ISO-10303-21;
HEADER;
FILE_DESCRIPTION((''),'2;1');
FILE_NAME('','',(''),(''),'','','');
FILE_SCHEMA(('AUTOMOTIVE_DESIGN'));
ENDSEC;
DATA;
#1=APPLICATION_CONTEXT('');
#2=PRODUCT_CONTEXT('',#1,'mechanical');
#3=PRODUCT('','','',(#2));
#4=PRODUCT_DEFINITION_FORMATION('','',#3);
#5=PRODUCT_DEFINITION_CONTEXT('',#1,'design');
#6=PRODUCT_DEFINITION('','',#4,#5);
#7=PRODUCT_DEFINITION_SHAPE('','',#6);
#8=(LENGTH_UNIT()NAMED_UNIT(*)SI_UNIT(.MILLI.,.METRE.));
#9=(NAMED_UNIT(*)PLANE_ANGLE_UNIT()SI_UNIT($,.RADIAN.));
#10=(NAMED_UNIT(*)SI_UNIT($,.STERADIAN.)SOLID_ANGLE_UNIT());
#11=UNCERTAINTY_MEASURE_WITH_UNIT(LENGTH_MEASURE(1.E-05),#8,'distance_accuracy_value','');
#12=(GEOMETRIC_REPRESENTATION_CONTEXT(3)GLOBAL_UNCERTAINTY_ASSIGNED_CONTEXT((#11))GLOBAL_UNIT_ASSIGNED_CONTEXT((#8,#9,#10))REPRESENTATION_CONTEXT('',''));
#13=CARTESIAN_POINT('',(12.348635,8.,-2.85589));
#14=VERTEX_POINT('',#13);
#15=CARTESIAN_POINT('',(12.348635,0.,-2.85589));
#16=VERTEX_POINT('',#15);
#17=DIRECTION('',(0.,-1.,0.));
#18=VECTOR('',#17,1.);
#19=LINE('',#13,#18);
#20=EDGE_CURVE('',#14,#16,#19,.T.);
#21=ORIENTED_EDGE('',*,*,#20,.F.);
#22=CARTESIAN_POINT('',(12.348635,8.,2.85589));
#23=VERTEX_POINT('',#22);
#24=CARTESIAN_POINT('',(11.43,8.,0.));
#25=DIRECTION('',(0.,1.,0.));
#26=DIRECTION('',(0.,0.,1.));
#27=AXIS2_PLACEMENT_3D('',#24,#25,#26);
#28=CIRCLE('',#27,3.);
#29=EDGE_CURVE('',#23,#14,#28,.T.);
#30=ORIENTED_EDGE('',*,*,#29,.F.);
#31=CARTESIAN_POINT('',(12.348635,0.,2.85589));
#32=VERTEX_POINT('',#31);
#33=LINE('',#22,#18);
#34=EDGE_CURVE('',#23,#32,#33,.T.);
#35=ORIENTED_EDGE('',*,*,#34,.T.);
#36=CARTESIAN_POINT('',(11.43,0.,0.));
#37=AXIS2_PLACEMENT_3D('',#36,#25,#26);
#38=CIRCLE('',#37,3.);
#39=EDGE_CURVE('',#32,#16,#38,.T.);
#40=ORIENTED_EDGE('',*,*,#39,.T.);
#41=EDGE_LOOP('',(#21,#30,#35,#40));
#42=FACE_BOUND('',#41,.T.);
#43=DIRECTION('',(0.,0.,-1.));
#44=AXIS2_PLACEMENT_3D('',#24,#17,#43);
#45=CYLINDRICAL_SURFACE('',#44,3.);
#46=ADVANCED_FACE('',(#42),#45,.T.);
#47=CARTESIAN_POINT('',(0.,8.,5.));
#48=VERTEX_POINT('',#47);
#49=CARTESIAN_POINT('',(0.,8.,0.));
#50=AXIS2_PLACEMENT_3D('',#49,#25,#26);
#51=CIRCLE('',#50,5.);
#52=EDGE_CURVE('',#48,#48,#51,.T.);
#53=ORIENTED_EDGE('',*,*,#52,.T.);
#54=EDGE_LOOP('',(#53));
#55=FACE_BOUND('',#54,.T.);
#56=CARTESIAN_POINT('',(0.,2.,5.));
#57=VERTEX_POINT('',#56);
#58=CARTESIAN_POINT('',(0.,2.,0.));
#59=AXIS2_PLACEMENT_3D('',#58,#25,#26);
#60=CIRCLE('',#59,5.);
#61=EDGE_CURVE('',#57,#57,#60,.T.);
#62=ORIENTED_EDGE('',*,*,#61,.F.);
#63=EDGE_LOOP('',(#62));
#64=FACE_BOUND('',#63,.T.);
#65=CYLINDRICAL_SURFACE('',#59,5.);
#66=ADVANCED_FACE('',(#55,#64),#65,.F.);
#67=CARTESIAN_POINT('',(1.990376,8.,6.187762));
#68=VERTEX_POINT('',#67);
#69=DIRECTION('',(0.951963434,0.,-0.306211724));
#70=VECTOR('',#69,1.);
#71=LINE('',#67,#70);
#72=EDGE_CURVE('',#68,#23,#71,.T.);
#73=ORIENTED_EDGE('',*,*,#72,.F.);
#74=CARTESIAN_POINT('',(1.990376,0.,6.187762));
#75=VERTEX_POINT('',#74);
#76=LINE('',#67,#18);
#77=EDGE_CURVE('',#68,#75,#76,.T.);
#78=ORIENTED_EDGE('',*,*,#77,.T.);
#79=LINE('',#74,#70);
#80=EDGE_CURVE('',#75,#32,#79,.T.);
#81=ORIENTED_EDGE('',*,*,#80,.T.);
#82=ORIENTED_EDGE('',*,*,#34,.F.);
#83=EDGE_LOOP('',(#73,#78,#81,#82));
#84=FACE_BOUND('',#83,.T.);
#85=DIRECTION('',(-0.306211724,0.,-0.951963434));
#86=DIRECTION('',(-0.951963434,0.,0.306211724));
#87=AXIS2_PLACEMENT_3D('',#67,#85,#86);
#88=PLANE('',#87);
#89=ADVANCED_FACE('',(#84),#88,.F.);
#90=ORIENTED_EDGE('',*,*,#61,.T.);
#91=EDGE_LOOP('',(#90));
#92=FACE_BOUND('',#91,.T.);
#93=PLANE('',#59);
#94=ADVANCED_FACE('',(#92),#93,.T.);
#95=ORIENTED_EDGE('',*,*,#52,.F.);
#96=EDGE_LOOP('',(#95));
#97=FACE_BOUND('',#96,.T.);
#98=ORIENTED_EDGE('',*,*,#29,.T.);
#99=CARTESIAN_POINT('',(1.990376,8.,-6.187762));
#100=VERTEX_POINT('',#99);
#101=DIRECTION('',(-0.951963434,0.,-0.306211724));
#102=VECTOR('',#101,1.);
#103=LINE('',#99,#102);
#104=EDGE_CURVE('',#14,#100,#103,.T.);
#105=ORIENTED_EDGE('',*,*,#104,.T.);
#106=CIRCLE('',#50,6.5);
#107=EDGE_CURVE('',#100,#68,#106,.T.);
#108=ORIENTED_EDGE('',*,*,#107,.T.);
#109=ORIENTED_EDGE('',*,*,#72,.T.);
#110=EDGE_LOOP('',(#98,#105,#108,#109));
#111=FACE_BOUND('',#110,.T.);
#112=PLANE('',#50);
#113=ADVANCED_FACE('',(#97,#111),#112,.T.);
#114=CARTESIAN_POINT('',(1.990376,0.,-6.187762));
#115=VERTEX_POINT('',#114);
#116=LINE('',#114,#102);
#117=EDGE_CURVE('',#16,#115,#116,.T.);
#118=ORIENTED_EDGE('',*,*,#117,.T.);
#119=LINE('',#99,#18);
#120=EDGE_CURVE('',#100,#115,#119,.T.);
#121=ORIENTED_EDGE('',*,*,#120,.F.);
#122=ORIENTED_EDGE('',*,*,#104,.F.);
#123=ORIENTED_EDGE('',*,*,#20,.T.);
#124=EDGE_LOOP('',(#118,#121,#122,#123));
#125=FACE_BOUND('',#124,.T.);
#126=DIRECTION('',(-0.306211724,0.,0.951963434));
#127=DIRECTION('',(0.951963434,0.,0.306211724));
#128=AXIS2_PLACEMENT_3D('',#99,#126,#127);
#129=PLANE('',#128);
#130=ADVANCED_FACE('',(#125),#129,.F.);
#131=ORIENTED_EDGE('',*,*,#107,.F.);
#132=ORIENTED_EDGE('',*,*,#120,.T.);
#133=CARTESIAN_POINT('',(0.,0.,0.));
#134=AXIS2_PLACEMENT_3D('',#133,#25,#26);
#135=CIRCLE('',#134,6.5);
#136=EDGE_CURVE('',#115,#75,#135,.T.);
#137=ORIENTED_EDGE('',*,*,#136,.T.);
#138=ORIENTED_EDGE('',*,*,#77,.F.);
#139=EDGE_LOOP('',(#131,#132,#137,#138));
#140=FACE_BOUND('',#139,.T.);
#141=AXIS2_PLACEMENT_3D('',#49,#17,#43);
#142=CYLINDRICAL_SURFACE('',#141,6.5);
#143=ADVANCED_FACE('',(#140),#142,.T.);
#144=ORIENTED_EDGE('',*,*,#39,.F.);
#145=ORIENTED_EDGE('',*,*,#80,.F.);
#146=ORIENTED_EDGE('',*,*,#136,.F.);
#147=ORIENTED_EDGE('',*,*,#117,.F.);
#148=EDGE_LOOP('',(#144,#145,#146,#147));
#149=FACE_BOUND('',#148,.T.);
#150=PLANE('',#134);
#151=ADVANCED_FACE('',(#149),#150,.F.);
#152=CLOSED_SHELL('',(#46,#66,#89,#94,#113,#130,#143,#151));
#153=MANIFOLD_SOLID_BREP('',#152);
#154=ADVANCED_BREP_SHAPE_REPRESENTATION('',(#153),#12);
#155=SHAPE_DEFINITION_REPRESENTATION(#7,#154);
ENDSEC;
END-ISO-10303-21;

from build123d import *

# Parameters (mm, degrees)
SKETCH1_R           = 6.5
BOSS_EXTRUDE1_DEPTH = 8.000000002
SKETCH2_R           = 5
CUT_EXTRUDE1_DEPTH  = 5.999999938


with BuildPart() as part:
    # Sketch1 → Boss-Extrude1 (new body)
    with BuildSketch(Plane(origin=(0, 0, 0), x_dir=(1, 0, 0), z_dir=(0, 1, 0))):
        Circle(SKETCH1_R)
        with BuildLine():
            ThreePointArc((6.5, 0), (5.252972745, -3.828351779), (1.990376203, -6.187762323))
            Line((1.990376203, -6.187762323), (12.348635171, -2.855890303))
            ThreePointArc((12.348635171, -2.855890303), (14.43, 0), (12.348635171, 2.855890303))
            Line((12.348635171, 2.855890303), (1.990376203, 6.187762323))
            ThreePointArc((1.990376203, 6.187762323), (5.252972745, 3.828351779), (6.5, 0))
        make_face()
    extrude(amount=BOSS_EXTRUDE1_DEPTH)

    # Sketch2 → Cut-Extrude1 (cut)
    with BuildSketch(Plane(origin=(0, 8.000000002, 0), x_dir=(1, 0, 0), z_dir=(0, 1, 0))):
        with Locations(Location((0, 0, 0), (0, 0, 270))):
            Circle(SKETCH2_R)
    extrude(amount=-CUT_EXTRUDE1_DEPTH, mode=Mode.SUBTRACT)


solid = part.part
